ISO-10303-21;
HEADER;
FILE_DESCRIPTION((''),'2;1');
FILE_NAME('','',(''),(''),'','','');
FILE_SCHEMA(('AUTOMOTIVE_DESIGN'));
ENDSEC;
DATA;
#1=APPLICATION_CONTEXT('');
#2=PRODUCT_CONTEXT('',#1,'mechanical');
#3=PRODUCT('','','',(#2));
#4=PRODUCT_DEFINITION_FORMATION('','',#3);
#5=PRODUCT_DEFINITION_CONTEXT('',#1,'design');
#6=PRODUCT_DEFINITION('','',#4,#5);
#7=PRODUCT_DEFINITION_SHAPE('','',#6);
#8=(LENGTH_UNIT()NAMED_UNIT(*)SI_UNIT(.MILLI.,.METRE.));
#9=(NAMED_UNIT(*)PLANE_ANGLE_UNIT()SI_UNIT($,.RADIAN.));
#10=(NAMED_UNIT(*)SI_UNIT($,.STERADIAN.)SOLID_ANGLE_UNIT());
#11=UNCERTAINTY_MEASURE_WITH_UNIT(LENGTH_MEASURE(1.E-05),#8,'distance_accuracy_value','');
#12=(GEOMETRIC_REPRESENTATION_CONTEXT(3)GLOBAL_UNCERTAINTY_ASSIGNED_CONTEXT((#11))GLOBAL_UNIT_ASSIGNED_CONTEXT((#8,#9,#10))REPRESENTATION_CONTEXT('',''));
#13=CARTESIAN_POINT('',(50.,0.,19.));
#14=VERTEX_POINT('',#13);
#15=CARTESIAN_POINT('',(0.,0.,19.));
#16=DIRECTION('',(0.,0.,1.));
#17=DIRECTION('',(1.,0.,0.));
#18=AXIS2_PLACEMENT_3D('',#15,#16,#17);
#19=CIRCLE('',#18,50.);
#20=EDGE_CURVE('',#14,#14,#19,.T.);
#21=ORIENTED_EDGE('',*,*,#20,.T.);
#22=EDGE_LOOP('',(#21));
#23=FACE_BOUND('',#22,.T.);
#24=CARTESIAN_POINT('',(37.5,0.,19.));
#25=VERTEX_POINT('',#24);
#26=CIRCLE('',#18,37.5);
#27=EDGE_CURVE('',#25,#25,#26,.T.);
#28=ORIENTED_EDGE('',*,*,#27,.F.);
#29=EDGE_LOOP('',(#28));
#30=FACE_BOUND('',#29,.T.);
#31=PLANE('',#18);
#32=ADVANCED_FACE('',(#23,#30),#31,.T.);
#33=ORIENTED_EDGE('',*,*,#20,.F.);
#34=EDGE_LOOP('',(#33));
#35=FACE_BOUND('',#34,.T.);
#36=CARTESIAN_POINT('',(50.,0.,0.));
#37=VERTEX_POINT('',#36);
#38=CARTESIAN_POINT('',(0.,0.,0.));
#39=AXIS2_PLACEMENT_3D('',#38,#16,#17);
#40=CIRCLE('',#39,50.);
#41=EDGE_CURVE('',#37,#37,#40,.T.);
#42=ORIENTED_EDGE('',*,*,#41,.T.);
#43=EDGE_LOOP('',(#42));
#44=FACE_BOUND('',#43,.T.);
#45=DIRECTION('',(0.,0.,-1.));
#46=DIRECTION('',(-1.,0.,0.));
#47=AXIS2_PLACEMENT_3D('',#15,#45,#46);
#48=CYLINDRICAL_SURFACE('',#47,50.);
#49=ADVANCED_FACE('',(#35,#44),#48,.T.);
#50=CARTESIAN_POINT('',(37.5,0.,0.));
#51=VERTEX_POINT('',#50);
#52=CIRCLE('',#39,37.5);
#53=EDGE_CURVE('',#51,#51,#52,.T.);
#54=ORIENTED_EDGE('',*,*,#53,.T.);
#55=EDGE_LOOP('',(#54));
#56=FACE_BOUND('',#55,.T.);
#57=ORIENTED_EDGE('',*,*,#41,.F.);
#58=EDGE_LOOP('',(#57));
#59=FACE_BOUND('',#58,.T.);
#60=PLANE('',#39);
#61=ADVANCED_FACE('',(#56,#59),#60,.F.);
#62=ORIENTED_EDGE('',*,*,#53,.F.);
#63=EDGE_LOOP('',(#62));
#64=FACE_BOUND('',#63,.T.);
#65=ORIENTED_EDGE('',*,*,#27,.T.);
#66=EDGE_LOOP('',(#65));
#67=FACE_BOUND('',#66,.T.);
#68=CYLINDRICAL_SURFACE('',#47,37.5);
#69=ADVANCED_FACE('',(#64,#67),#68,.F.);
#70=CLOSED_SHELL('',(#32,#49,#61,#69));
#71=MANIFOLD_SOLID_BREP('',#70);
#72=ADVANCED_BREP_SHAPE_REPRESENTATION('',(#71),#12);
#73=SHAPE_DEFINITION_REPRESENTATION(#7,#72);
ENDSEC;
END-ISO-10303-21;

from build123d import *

# Parameters (mm, degrees)
SKIZZE1_R                       = 50
SKIZZE1_R_2                     = 37.5
AUFSATZ_LINEAR_AUSTRAGEN1_DEPTH = 19


with BuildPart() as part:
    # Skizze1 → Aufsatz-Linear austragen1 (new body)
    with BuildSketch(Plane.XY):
        Circle(SKIZZE1_R)
        Circle(SKIZZE1_R_2, mode=Mode.SUBTRACT)
    extrude(amount=AUFSATZ_LINEAR_AUSTRAGEN1_DEPTH)


solid = part.part
